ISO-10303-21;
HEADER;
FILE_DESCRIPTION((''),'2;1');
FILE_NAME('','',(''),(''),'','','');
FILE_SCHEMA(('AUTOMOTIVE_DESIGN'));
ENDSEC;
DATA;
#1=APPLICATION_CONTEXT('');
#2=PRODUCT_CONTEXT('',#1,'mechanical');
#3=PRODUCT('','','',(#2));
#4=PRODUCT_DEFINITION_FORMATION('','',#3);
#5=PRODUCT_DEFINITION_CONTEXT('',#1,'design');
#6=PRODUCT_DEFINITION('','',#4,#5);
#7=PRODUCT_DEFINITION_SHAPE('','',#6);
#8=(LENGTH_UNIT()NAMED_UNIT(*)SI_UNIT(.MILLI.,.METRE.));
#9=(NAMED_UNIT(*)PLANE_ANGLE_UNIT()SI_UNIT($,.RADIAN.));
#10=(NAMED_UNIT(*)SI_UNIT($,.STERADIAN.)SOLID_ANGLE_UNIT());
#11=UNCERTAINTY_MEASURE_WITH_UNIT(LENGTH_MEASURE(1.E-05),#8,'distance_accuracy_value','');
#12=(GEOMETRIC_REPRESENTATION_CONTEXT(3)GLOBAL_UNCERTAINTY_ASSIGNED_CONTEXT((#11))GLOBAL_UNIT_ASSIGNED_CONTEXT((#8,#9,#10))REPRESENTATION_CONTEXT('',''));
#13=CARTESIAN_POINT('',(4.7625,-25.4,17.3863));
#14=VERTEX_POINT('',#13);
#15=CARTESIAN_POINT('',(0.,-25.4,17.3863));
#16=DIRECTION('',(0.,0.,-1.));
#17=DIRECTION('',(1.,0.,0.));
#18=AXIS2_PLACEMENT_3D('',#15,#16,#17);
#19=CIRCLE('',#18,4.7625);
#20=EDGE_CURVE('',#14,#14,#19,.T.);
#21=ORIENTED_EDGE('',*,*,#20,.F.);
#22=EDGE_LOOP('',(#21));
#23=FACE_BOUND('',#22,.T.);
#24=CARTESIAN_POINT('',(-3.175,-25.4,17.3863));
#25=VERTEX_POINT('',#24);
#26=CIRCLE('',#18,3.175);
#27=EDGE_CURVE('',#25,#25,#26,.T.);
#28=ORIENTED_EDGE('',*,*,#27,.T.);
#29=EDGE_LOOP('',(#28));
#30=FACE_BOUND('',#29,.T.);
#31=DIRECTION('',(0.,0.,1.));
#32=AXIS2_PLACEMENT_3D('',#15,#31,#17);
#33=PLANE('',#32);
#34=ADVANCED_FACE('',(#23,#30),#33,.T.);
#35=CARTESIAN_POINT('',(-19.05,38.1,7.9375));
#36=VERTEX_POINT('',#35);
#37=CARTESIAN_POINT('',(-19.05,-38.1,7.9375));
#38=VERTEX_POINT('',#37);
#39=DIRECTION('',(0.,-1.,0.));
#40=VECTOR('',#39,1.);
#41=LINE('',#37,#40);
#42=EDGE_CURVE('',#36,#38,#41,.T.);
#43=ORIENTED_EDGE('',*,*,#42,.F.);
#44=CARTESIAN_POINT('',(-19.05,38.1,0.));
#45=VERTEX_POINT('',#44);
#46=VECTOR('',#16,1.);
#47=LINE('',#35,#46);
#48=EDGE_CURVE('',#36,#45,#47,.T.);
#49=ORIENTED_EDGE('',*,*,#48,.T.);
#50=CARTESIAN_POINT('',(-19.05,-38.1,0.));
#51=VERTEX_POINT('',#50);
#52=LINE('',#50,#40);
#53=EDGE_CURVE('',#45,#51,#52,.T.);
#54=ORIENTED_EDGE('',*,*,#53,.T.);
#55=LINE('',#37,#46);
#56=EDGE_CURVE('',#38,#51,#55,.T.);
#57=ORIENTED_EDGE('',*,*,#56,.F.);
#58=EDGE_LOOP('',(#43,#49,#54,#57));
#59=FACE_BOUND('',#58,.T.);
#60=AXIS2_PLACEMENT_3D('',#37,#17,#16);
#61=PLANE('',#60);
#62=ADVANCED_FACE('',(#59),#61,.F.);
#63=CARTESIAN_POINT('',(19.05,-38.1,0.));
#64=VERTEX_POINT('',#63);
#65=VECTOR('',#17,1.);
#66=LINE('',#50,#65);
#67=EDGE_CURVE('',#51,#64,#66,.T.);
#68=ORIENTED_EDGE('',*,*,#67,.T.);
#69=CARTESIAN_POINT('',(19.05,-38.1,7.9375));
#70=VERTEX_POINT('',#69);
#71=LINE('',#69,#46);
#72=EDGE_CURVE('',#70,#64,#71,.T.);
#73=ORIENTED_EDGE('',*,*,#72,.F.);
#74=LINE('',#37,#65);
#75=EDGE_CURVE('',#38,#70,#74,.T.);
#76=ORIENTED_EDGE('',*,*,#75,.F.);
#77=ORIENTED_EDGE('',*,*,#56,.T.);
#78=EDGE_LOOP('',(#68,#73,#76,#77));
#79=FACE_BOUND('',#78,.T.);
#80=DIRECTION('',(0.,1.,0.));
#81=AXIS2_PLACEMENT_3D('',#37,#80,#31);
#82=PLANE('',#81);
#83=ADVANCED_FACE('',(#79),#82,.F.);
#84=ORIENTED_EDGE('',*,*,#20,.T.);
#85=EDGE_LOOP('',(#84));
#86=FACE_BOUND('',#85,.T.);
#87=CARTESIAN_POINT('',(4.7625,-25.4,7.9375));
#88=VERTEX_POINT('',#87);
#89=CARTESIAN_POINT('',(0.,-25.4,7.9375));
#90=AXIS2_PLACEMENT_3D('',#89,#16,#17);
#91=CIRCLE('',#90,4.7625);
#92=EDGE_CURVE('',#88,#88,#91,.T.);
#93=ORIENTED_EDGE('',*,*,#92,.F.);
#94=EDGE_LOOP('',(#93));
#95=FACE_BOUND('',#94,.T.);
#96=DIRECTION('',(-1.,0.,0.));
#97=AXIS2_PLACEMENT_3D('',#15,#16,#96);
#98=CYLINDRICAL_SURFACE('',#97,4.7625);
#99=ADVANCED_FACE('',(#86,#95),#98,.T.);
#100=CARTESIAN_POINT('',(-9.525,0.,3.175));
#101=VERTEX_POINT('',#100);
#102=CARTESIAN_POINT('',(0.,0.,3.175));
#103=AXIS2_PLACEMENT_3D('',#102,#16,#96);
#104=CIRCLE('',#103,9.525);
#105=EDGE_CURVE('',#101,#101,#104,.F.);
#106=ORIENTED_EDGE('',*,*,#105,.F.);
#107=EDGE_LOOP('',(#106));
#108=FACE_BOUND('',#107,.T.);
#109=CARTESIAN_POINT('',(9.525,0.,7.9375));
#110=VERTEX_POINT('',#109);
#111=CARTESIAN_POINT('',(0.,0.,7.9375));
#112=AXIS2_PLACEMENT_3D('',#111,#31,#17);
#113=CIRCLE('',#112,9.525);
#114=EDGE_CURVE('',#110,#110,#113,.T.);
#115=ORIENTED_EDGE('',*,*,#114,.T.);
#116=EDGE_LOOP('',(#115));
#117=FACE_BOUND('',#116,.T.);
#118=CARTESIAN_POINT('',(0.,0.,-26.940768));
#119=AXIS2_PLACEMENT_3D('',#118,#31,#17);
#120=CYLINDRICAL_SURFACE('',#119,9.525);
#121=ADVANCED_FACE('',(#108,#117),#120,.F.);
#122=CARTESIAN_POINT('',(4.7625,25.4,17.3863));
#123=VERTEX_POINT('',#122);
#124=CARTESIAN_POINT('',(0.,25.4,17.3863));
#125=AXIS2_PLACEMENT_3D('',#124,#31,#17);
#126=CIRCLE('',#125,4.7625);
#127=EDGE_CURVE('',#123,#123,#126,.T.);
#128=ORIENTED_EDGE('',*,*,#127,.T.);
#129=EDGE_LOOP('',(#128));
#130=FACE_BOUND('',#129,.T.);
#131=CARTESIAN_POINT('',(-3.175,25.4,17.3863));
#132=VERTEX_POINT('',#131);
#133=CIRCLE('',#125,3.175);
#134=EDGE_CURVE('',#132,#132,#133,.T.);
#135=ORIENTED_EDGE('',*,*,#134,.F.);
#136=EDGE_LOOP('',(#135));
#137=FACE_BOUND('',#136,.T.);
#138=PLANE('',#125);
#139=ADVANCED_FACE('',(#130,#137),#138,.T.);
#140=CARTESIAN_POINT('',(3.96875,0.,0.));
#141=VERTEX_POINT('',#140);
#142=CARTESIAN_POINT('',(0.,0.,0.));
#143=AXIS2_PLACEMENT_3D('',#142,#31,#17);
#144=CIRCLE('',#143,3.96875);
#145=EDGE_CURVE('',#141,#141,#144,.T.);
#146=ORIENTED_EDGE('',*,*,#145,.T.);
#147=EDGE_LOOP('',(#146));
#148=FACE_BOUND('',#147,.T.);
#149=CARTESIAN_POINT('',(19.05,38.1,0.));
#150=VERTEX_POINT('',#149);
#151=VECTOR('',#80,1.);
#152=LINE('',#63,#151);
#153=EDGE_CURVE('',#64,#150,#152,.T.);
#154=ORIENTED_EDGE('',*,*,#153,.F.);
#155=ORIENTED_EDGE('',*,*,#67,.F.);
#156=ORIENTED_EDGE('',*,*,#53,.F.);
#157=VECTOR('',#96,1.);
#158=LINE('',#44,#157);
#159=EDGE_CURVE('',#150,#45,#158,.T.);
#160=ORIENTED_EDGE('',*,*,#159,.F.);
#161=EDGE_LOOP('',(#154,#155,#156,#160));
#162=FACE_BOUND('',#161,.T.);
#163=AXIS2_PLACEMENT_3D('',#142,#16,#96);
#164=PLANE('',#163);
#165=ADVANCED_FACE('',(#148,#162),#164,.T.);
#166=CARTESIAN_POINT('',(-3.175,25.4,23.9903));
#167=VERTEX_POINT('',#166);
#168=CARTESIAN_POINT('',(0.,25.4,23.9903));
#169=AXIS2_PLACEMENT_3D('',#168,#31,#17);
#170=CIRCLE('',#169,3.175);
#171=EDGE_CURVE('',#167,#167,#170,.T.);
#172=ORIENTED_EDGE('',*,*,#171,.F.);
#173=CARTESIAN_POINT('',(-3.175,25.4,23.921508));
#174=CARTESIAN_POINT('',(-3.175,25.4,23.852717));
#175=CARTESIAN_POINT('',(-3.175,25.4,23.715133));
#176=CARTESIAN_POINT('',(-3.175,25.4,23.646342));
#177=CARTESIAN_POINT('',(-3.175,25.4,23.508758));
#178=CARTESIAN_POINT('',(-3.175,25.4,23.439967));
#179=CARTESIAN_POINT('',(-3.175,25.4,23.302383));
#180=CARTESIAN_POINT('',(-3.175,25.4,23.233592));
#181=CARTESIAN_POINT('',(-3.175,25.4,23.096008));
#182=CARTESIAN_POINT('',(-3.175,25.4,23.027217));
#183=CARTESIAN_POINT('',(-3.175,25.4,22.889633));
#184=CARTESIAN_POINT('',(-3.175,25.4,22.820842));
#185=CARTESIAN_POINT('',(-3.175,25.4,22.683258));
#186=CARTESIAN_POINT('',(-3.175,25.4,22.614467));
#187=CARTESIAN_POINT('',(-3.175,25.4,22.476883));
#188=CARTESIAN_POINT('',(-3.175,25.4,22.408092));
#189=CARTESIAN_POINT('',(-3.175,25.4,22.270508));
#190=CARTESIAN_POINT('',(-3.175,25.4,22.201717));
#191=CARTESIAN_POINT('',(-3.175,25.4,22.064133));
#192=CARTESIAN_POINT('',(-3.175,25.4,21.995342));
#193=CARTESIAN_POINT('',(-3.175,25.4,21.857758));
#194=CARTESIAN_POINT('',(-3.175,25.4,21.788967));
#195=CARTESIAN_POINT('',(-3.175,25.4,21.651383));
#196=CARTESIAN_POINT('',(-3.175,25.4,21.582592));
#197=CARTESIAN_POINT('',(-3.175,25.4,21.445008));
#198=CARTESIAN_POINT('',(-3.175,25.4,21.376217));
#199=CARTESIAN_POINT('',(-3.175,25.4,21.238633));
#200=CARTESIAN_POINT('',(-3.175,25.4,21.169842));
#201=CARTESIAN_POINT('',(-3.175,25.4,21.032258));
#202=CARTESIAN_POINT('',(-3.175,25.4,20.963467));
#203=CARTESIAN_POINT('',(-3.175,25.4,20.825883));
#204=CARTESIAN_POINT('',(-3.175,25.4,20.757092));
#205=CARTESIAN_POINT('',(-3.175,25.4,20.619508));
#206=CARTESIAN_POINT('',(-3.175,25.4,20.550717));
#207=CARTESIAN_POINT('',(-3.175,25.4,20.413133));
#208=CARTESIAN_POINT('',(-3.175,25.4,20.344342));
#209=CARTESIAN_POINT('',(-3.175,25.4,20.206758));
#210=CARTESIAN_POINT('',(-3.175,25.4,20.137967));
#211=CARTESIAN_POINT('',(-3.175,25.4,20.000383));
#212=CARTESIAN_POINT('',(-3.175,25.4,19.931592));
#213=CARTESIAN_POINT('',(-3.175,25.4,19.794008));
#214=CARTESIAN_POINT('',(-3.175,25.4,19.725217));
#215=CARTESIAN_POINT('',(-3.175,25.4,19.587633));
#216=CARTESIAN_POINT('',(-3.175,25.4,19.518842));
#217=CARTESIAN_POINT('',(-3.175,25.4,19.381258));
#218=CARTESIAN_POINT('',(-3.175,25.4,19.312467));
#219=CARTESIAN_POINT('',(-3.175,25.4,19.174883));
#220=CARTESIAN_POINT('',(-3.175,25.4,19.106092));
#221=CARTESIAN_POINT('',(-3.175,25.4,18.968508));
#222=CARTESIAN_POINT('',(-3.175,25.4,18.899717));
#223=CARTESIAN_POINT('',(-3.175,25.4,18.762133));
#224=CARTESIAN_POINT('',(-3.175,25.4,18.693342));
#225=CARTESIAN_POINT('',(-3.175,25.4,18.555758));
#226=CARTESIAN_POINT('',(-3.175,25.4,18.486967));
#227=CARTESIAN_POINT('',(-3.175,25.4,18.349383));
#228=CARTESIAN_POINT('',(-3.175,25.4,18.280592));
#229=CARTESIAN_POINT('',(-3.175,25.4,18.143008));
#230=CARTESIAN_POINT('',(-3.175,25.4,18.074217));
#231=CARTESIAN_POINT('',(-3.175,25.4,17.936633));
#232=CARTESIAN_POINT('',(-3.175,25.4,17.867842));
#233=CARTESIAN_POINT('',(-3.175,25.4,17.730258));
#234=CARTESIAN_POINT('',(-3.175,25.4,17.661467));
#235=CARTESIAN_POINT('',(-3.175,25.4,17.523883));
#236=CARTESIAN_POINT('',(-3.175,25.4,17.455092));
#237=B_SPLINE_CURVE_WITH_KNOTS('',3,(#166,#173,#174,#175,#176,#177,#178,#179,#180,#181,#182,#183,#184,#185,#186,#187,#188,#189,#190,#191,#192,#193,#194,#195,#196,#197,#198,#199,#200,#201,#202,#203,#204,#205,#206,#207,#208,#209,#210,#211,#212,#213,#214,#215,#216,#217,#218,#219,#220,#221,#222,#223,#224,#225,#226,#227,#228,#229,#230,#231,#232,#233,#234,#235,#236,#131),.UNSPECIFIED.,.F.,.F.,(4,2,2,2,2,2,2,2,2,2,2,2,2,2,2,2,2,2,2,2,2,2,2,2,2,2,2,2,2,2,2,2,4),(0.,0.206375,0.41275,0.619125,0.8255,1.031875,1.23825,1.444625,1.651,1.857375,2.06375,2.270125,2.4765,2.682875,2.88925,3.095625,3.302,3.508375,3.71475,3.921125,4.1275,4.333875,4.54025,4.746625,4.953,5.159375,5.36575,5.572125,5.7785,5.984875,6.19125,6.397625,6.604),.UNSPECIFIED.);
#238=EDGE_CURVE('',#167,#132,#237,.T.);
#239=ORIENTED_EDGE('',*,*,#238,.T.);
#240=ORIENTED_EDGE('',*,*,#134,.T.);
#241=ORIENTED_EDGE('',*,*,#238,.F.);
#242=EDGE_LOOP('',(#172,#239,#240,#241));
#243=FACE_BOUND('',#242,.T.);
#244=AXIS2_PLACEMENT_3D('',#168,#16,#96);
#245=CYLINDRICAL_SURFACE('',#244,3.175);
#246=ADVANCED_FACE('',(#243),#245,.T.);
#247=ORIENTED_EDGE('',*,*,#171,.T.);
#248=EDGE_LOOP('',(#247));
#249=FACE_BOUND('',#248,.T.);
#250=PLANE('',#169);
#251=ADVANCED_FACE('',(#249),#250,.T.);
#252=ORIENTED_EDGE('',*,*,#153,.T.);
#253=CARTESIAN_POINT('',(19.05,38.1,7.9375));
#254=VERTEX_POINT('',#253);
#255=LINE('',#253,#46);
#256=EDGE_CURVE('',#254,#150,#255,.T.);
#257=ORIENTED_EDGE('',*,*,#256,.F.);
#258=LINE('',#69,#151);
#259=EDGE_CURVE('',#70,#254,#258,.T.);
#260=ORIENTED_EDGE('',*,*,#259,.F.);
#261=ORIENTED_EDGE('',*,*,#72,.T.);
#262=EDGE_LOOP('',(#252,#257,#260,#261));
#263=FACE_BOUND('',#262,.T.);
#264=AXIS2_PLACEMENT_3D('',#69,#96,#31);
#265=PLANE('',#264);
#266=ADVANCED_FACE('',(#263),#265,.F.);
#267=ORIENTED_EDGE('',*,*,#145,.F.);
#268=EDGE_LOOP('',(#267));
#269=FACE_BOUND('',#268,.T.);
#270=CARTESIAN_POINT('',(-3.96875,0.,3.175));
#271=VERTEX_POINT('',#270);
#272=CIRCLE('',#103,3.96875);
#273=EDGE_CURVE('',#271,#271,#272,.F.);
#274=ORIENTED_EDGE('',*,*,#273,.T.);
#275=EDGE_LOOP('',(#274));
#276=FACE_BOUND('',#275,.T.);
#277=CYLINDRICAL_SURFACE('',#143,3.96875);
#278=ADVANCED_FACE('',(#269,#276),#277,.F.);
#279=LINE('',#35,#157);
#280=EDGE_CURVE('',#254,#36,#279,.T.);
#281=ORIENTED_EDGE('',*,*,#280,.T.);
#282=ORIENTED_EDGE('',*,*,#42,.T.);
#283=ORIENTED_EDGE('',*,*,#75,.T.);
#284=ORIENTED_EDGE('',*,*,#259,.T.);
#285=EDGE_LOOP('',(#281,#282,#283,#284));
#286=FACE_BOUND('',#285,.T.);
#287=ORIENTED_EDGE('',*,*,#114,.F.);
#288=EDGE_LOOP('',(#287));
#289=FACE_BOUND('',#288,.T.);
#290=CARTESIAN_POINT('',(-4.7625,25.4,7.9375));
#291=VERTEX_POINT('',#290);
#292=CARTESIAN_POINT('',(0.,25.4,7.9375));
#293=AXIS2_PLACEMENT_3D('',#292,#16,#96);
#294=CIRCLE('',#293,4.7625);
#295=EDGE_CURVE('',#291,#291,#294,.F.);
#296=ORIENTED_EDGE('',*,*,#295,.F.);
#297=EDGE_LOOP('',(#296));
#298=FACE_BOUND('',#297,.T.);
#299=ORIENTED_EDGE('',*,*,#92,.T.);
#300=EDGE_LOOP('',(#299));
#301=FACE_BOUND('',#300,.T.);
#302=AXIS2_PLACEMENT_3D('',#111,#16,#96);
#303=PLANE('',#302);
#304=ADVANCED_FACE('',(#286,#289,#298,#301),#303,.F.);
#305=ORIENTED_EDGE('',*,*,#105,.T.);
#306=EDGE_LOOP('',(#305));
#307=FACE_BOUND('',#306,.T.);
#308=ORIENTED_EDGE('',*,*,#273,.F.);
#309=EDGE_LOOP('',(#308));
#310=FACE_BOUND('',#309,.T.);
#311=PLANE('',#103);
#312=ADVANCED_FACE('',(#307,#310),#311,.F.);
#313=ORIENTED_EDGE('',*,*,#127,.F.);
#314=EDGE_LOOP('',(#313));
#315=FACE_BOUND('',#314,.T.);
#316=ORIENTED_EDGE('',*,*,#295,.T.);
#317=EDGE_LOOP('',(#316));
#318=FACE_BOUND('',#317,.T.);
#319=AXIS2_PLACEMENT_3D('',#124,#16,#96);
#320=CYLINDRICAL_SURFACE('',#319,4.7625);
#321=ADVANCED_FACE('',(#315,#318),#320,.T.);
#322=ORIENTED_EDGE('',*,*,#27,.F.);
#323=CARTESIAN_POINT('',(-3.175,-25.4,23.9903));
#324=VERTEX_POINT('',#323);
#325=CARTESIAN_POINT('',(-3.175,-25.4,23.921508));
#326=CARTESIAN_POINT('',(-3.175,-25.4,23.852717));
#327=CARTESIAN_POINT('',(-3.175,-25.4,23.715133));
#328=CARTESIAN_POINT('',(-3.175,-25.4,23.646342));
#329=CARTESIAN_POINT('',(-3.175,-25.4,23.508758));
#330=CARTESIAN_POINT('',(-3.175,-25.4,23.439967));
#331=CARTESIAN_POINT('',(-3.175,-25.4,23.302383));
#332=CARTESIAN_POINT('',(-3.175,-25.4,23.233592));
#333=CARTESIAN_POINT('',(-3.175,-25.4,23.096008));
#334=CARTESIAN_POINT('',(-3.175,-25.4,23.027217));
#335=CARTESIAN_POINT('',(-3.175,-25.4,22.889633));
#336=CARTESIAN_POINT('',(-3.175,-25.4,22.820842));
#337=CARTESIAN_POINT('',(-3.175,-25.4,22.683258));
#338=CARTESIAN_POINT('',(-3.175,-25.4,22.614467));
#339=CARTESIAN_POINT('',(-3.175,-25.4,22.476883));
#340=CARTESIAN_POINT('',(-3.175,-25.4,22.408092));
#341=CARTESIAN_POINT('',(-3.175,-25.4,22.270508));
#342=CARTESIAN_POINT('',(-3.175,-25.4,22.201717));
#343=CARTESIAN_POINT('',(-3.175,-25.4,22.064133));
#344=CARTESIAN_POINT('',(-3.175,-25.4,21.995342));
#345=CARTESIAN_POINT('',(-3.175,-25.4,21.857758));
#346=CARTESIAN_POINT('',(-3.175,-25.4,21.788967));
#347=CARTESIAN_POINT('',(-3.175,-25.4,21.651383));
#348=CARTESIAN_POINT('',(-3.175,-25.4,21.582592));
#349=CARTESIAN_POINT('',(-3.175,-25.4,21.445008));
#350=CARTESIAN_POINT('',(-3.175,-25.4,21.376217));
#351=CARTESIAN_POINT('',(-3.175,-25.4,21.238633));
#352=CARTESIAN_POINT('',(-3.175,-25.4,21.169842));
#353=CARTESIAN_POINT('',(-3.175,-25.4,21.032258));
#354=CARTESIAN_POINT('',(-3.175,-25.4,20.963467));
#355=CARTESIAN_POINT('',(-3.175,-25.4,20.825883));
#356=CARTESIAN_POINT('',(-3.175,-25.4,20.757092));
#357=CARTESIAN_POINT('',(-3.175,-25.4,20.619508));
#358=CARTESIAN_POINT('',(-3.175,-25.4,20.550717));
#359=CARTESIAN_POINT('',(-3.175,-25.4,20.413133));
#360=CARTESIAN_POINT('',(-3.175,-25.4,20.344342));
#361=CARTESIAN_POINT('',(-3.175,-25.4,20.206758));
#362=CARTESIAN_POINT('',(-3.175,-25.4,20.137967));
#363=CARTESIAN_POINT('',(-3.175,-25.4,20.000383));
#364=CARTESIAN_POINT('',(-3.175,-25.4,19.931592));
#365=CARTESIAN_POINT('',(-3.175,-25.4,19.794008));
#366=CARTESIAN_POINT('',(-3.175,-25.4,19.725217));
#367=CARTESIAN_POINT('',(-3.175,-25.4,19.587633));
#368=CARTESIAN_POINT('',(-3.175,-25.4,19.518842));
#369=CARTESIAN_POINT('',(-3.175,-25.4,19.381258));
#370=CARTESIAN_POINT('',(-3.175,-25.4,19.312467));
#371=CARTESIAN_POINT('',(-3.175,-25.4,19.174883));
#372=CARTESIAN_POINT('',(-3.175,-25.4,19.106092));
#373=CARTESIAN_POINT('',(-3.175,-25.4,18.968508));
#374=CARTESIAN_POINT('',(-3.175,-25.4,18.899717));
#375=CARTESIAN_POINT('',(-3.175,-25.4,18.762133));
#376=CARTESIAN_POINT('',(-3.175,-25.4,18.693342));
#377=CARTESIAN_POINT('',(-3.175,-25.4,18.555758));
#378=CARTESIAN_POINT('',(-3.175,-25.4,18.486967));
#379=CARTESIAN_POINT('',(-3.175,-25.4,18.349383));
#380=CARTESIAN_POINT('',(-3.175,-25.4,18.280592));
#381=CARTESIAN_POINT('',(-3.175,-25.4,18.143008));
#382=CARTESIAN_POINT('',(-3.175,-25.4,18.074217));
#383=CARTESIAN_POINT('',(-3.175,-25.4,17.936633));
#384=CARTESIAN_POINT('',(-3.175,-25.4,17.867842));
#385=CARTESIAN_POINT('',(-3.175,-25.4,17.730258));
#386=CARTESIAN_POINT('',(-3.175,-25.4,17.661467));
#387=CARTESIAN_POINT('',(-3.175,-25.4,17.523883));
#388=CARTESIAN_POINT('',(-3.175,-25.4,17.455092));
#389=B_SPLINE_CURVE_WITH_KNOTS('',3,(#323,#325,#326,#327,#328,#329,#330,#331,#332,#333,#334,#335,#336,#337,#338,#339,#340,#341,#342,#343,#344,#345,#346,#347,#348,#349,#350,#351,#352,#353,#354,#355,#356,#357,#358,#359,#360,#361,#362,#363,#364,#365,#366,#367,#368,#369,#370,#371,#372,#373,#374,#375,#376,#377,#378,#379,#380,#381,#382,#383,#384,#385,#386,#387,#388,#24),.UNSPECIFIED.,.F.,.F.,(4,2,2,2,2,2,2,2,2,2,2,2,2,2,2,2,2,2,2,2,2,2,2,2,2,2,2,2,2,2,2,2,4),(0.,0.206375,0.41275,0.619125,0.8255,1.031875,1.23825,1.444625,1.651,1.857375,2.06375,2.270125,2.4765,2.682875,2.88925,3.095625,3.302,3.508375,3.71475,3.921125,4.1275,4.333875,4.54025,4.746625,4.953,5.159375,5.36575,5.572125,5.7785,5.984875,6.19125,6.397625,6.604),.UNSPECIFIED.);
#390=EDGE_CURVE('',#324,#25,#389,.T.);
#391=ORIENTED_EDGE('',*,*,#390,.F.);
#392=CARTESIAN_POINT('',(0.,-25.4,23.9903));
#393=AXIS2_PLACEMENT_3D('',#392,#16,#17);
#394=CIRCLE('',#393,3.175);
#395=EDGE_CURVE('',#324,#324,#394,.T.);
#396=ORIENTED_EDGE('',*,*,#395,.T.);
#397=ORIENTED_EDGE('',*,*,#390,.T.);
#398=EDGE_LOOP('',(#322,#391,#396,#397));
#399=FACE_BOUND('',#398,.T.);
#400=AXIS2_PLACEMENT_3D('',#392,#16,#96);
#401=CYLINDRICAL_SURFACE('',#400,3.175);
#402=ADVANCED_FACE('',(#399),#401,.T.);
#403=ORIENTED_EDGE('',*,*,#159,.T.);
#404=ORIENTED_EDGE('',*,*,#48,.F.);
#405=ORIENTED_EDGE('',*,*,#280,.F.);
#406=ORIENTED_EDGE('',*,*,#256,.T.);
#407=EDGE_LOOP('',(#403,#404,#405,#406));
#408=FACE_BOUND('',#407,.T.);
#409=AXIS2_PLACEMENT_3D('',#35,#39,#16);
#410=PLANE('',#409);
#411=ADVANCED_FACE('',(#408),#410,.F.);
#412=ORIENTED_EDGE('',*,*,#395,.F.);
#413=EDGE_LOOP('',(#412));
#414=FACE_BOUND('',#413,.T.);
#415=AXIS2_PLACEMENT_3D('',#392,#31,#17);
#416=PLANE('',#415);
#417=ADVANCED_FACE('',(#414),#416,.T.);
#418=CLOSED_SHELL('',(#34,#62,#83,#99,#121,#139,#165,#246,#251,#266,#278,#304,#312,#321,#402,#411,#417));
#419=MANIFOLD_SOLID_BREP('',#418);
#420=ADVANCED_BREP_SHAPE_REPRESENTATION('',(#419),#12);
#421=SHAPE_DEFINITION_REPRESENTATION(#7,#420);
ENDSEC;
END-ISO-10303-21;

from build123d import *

# Parameters (mm, degrees)
SKETCH1_W           = 38.1
SKETCH1_H           = 76.2
BOSS_EXTRUDE1_DEPTH = 7.9375
SKETCH2_R           = 3.96875
CUT_EXTRUDE1_DEPTH  = 44.330317403
SKETCH4_R           = 9.525
CUT_EXTRUDE2_DEPTH  = 4.7625
SKETCH5_R           = 4.7625
BOSS_EXTRUDE2_DEPTH = 9.4488
SKETCH6_R           = 3.175
BOSS_EXTRUDE3_DEPTH = 6.604


with BuildPart() as part:
    # Sketch1 → Boss-Extrude1 (new body)
    with BuildSketch(Plane.XY):
        Rectangle(SKETCH1_W, SKETCH1_H)
    extrude(amount=BOSS_EXTRUDE1_DEPTH)

    # Sketch2 → Cut-Extrude1 (cut, through all)
    with BuildSketch(Plane.XY.offset(7.9375)):
        Circle(SKETCH2_R)
    extrude(amount=-CUT_EXTRUDE1_DEPTH, mode=Mode.SUBTRACT)

    # Sketch4 → Cut-Extrude2 (cut)
    with BuildSketch(Plane.XY.offset(7.9375)):
        Circle(SKETCH4_R)
    extrude(amount=-CUT_EXTRUDE2_DEPTH, mode=Mode.SUBTRACT)

    # Sketch5 → Boss-Extrude2 (add)
    with BuildSketch(Plane.XY.offset(7.9375)):
        with Locations(Location((0, 25.4, 0), (0, 0, 180))):
            Circle(SKETCH5_R)
    boss_extrude2 = extrude(amount=BOSS_EXTRUDE2_DEPTH)

    # Sketch6 → Boss-Extrude3 (add)
    with BuildSketch(Plane.XY.offset(17.3863)):
        with Locations(Location((0, 25.4, 0), (0, 0, 180))):
            Circle(SKETCH6_R)
    boss_extrude3 = extrude(amount=BOSS_EXTRUDE3_DEPTH)

    # Mirror1: Boss-Extrude2, Boss-Extrude3 across plane
    add(boss_extrude2.mirror(Plane.ZX))
    add(boss_extrude3.mirror(Plane.ZX))


solid = part.part
